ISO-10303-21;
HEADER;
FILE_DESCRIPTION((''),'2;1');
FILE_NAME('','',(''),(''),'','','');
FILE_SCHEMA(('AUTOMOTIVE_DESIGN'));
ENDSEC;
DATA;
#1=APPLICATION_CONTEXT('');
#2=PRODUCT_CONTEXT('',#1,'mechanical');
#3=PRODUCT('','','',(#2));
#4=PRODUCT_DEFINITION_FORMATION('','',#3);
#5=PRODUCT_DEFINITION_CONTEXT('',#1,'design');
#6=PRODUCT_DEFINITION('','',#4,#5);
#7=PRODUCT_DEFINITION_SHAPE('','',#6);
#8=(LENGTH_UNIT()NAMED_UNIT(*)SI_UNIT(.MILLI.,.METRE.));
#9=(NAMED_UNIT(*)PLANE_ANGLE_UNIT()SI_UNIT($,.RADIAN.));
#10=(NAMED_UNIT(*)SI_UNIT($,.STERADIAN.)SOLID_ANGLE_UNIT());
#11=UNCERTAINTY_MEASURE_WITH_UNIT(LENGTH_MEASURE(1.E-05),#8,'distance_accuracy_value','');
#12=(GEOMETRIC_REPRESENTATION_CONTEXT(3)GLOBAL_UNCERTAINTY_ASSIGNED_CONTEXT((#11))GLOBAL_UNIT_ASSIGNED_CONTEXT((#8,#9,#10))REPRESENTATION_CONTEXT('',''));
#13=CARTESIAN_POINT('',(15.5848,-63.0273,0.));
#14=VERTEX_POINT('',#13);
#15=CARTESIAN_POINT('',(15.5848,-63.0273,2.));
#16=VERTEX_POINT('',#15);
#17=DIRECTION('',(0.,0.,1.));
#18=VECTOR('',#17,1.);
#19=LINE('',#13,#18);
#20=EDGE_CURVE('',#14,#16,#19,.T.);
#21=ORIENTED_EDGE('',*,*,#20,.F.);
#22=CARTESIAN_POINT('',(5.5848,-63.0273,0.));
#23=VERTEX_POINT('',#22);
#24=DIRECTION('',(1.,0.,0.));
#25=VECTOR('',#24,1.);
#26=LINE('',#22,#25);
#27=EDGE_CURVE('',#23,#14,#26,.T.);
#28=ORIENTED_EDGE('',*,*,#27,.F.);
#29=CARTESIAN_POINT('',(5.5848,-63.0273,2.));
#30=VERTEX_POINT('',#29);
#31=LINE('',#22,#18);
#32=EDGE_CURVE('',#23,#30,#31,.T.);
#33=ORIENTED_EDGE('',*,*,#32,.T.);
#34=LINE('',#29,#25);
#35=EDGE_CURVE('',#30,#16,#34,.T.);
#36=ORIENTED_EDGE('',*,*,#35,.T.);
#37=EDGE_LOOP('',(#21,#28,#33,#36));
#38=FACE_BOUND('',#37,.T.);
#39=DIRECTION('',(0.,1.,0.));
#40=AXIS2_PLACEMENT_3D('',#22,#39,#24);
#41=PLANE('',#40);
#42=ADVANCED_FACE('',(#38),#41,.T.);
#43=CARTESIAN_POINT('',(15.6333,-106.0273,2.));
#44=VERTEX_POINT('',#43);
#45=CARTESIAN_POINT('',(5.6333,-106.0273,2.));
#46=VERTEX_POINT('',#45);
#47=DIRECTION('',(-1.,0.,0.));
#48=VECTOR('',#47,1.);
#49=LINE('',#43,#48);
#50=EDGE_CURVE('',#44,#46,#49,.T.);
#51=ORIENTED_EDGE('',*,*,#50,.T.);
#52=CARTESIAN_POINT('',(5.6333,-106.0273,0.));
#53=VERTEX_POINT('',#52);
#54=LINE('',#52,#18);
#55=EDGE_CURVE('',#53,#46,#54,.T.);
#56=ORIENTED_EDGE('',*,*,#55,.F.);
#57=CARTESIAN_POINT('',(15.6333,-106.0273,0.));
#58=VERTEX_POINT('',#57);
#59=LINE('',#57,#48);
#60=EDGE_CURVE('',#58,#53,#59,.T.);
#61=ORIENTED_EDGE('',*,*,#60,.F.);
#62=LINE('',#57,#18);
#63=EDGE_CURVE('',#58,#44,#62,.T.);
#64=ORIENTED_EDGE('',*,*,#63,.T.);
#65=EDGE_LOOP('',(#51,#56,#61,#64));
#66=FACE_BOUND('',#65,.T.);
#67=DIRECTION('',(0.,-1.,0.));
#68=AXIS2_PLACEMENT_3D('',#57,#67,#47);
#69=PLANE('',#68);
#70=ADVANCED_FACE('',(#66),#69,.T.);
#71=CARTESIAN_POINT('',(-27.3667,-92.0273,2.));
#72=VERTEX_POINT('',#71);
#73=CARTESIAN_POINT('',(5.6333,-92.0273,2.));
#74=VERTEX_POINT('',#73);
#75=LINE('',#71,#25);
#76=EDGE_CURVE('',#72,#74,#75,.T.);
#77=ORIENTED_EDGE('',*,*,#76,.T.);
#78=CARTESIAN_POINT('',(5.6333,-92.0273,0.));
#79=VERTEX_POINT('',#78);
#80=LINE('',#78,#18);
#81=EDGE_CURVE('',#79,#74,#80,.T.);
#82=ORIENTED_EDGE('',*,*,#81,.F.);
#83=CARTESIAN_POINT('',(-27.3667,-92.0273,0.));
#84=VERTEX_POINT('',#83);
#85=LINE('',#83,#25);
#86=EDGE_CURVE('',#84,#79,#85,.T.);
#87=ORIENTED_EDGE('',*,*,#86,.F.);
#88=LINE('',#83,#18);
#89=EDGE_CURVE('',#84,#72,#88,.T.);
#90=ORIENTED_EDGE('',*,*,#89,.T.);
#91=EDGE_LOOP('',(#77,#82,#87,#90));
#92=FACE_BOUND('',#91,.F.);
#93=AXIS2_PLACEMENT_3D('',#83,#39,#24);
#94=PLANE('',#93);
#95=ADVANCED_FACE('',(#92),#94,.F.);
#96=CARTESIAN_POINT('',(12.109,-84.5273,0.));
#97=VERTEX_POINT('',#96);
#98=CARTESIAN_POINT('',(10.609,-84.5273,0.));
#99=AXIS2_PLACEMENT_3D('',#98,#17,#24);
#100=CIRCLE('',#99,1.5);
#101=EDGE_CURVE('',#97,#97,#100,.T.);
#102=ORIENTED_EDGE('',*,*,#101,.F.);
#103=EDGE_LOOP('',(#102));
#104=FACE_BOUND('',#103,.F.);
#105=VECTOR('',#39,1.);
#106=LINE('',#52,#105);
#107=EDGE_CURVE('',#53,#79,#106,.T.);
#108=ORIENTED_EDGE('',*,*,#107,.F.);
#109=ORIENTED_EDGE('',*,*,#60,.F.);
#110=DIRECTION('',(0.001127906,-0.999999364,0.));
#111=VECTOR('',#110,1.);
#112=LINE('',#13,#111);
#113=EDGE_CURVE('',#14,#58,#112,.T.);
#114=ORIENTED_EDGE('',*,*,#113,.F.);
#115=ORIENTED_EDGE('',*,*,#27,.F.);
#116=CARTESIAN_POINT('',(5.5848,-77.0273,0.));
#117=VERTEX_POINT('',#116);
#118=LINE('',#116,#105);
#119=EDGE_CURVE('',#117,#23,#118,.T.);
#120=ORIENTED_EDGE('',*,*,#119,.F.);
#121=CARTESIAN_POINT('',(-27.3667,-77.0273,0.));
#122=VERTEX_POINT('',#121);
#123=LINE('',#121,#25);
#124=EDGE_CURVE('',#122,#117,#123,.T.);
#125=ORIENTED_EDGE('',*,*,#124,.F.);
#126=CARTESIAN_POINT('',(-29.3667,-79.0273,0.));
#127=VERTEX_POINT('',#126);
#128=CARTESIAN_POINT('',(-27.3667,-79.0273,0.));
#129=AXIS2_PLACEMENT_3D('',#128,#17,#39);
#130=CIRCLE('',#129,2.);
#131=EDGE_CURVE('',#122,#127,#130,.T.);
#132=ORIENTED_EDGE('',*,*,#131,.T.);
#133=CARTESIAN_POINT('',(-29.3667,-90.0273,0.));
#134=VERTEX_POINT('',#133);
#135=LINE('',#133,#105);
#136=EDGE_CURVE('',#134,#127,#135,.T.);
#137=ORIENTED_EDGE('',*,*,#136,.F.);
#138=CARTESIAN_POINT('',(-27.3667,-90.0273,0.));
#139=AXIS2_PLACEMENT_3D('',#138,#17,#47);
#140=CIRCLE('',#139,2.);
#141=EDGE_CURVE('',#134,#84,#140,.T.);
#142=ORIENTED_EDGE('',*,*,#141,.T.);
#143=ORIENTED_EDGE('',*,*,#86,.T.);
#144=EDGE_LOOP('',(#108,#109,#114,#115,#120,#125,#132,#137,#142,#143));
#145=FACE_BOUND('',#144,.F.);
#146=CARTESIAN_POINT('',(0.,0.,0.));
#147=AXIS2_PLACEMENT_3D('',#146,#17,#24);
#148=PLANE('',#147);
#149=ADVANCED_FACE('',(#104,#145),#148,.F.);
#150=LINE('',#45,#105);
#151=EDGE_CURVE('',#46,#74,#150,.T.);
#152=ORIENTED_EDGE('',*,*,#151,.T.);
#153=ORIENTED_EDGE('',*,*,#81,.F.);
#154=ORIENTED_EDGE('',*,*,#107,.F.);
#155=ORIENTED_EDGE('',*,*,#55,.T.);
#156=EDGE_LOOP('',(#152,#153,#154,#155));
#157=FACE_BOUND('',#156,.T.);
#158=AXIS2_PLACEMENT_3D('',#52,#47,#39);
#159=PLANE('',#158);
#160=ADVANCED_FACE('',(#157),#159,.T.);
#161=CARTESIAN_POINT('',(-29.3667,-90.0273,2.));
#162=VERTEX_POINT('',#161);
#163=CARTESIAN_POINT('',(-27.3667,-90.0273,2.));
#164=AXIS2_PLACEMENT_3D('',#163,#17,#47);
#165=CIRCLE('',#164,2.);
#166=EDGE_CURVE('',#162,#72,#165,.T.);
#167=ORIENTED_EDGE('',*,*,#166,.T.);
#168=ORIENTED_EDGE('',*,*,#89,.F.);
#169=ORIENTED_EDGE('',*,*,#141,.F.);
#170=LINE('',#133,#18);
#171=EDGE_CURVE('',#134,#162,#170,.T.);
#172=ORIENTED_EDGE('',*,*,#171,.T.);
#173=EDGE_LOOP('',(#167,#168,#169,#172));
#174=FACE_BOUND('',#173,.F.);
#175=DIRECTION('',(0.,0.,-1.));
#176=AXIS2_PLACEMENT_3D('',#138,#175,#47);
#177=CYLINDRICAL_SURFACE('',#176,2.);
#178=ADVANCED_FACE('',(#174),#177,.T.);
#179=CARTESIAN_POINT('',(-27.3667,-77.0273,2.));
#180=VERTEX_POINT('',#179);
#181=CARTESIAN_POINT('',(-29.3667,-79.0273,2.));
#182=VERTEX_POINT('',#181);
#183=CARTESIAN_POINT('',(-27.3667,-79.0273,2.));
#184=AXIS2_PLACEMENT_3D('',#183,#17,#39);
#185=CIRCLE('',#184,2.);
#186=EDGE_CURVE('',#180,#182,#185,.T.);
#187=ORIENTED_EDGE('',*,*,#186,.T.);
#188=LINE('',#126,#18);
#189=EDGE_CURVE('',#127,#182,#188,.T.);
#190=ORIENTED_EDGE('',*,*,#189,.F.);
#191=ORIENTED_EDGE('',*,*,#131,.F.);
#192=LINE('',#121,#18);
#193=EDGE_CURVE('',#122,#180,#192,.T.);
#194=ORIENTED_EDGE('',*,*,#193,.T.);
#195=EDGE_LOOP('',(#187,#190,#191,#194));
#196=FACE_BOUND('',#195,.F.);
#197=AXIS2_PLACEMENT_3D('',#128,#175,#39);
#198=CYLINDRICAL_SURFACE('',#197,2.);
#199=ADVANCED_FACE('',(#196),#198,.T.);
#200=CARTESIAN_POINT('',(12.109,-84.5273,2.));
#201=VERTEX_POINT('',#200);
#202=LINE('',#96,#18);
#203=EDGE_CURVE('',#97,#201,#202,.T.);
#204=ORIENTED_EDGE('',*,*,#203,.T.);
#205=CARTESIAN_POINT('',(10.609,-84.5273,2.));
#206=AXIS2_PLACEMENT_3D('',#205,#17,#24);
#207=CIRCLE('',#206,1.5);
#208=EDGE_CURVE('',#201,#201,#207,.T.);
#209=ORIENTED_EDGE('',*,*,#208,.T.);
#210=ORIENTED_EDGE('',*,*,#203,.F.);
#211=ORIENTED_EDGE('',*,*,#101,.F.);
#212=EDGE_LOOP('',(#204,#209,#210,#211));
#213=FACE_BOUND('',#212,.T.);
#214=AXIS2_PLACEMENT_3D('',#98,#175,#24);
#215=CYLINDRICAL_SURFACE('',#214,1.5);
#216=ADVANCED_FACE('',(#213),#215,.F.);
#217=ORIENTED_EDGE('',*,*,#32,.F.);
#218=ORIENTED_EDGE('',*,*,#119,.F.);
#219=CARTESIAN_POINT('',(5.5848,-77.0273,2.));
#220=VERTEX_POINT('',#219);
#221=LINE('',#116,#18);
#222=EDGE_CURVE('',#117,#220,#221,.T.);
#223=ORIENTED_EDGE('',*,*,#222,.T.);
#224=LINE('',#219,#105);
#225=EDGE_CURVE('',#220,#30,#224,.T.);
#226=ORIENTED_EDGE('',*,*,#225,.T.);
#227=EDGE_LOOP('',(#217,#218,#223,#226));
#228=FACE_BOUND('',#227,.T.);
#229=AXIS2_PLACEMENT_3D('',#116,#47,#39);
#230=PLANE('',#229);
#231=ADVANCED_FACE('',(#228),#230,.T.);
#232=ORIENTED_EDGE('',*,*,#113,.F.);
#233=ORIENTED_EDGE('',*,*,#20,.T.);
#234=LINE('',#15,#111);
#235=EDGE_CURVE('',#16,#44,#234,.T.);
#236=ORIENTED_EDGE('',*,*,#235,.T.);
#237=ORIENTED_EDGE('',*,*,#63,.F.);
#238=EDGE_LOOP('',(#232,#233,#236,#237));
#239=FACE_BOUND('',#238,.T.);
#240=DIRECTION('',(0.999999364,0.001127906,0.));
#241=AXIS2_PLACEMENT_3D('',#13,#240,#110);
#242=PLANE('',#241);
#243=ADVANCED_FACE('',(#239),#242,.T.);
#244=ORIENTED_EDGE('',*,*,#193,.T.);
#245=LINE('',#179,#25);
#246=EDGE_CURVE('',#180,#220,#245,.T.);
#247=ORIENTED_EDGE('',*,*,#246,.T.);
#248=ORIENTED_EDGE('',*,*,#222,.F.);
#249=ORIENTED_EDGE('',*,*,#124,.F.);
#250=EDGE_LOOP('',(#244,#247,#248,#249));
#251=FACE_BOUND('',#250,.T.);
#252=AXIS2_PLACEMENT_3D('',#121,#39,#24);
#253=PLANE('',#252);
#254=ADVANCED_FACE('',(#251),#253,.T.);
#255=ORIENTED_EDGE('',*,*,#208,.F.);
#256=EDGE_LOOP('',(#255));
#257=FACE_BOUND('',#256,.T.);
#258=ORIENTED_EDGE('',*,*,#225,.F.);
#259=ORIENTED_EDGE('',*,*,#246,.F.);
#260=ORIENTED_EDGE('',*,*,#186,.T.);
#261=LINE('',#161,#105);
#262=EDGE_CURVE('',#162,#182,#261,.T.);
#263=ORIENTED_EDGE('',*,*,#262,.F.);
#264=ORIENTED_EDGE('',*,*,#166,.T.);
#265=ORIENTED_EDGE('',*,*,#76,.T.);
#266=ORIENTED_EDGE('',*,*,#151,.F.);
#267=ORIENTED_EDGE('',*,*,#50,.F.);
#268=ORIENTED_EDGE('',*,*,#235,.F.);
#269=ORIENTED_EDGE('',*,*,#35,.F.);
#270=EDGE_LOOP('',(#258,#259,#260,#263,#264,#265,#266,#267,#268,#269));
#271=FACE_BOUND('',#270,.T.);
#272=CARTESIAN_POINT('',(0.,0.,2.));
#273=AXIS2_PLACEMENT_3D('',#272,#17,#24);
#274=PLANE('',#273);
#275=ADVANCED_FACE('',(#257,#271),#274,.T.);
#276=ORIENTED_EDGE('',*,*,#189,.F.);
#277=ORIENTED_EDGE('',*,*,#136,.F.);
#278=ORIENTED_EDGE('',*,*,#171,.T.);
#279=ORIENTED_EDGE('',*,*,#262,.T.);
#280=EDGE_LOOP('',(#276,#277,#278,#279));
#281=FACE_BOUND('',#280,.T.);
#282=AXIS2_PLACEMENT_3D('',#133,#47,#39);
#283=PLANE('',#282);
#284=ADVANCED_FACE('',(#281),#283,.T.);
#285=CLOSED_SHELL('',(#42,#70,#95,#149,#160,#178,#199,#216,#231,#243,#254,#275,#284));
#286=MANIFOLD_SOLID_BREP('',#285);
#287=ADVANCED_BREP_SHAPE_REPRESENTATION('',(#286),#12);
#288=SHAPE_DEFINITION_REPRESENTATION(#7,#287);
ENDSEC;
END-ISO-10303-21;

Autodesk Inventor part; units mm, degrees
ref_plane "YZ Plane" through (0, 0, 0) normal (1, 0, 0) x (0, 1, 0)
ref_plane "XZ Plane" through (0, 0, 0) normal (0, 1, 0) x (-1, 0, 0)
ref_plane "XY Plane" through (0, 0, 0) normal (0, 0, 1) x (1, 0, 0)
sketch "Sketch1" plane through (0, 0, 0) normal (0, 0, 1) x (1, 0, 0)
  line L0 (-29.3667, -90.0273) -> (-29.3667, -79.0273)
  arc A0 (-27.3667, -77.0273) -> (-29.3667, -79.0273) centre (-27.3667, -79.0273) ccw
  arc A1 (-29.3667, -90.0273) -> (-27.3667, -92.0273) centre (-27.3667, -90.0273) ccw
  line L1 (-27.3667, -77.0273) -> (5.5848, -77.0273)
  line L2 (-27.3667, -92.0273) -> (5.6333, -92.0273)
  line L3 (5.5848, -77.0273) -> (5.5848, -63.0273)
  line L4 (5.5848, -63.0273) -> (15.5848, -63.0273)
  line L5 (15.5848, -63.0273) -> (15.6333, -106.0273)
  line L6 (15.6333, -106.0273) -> (5.6333, -106.0273)
  line L7 (5.6333, -106.0273) -> (5.6333, -92.0273)
  circle A2 centre (10.609, -84.5273) radius 1.5
  point P0 (0, 0)
  dimension "d0" = 35
  dimension "d1" = 2
  dimension "d2" = 10
  dimension "d3" = 43
  dimension "d4" = 10
  dimension "d5" = 14
  dimension "d6" = 14
  dimension "d7" = 3
  dimension "d8" = 5
  dimension "d9" = 21.5
extrude "Extrusion1" add sketch "Sketch1" along normal blind 2
properties part number "cetakan sepatu 4"
